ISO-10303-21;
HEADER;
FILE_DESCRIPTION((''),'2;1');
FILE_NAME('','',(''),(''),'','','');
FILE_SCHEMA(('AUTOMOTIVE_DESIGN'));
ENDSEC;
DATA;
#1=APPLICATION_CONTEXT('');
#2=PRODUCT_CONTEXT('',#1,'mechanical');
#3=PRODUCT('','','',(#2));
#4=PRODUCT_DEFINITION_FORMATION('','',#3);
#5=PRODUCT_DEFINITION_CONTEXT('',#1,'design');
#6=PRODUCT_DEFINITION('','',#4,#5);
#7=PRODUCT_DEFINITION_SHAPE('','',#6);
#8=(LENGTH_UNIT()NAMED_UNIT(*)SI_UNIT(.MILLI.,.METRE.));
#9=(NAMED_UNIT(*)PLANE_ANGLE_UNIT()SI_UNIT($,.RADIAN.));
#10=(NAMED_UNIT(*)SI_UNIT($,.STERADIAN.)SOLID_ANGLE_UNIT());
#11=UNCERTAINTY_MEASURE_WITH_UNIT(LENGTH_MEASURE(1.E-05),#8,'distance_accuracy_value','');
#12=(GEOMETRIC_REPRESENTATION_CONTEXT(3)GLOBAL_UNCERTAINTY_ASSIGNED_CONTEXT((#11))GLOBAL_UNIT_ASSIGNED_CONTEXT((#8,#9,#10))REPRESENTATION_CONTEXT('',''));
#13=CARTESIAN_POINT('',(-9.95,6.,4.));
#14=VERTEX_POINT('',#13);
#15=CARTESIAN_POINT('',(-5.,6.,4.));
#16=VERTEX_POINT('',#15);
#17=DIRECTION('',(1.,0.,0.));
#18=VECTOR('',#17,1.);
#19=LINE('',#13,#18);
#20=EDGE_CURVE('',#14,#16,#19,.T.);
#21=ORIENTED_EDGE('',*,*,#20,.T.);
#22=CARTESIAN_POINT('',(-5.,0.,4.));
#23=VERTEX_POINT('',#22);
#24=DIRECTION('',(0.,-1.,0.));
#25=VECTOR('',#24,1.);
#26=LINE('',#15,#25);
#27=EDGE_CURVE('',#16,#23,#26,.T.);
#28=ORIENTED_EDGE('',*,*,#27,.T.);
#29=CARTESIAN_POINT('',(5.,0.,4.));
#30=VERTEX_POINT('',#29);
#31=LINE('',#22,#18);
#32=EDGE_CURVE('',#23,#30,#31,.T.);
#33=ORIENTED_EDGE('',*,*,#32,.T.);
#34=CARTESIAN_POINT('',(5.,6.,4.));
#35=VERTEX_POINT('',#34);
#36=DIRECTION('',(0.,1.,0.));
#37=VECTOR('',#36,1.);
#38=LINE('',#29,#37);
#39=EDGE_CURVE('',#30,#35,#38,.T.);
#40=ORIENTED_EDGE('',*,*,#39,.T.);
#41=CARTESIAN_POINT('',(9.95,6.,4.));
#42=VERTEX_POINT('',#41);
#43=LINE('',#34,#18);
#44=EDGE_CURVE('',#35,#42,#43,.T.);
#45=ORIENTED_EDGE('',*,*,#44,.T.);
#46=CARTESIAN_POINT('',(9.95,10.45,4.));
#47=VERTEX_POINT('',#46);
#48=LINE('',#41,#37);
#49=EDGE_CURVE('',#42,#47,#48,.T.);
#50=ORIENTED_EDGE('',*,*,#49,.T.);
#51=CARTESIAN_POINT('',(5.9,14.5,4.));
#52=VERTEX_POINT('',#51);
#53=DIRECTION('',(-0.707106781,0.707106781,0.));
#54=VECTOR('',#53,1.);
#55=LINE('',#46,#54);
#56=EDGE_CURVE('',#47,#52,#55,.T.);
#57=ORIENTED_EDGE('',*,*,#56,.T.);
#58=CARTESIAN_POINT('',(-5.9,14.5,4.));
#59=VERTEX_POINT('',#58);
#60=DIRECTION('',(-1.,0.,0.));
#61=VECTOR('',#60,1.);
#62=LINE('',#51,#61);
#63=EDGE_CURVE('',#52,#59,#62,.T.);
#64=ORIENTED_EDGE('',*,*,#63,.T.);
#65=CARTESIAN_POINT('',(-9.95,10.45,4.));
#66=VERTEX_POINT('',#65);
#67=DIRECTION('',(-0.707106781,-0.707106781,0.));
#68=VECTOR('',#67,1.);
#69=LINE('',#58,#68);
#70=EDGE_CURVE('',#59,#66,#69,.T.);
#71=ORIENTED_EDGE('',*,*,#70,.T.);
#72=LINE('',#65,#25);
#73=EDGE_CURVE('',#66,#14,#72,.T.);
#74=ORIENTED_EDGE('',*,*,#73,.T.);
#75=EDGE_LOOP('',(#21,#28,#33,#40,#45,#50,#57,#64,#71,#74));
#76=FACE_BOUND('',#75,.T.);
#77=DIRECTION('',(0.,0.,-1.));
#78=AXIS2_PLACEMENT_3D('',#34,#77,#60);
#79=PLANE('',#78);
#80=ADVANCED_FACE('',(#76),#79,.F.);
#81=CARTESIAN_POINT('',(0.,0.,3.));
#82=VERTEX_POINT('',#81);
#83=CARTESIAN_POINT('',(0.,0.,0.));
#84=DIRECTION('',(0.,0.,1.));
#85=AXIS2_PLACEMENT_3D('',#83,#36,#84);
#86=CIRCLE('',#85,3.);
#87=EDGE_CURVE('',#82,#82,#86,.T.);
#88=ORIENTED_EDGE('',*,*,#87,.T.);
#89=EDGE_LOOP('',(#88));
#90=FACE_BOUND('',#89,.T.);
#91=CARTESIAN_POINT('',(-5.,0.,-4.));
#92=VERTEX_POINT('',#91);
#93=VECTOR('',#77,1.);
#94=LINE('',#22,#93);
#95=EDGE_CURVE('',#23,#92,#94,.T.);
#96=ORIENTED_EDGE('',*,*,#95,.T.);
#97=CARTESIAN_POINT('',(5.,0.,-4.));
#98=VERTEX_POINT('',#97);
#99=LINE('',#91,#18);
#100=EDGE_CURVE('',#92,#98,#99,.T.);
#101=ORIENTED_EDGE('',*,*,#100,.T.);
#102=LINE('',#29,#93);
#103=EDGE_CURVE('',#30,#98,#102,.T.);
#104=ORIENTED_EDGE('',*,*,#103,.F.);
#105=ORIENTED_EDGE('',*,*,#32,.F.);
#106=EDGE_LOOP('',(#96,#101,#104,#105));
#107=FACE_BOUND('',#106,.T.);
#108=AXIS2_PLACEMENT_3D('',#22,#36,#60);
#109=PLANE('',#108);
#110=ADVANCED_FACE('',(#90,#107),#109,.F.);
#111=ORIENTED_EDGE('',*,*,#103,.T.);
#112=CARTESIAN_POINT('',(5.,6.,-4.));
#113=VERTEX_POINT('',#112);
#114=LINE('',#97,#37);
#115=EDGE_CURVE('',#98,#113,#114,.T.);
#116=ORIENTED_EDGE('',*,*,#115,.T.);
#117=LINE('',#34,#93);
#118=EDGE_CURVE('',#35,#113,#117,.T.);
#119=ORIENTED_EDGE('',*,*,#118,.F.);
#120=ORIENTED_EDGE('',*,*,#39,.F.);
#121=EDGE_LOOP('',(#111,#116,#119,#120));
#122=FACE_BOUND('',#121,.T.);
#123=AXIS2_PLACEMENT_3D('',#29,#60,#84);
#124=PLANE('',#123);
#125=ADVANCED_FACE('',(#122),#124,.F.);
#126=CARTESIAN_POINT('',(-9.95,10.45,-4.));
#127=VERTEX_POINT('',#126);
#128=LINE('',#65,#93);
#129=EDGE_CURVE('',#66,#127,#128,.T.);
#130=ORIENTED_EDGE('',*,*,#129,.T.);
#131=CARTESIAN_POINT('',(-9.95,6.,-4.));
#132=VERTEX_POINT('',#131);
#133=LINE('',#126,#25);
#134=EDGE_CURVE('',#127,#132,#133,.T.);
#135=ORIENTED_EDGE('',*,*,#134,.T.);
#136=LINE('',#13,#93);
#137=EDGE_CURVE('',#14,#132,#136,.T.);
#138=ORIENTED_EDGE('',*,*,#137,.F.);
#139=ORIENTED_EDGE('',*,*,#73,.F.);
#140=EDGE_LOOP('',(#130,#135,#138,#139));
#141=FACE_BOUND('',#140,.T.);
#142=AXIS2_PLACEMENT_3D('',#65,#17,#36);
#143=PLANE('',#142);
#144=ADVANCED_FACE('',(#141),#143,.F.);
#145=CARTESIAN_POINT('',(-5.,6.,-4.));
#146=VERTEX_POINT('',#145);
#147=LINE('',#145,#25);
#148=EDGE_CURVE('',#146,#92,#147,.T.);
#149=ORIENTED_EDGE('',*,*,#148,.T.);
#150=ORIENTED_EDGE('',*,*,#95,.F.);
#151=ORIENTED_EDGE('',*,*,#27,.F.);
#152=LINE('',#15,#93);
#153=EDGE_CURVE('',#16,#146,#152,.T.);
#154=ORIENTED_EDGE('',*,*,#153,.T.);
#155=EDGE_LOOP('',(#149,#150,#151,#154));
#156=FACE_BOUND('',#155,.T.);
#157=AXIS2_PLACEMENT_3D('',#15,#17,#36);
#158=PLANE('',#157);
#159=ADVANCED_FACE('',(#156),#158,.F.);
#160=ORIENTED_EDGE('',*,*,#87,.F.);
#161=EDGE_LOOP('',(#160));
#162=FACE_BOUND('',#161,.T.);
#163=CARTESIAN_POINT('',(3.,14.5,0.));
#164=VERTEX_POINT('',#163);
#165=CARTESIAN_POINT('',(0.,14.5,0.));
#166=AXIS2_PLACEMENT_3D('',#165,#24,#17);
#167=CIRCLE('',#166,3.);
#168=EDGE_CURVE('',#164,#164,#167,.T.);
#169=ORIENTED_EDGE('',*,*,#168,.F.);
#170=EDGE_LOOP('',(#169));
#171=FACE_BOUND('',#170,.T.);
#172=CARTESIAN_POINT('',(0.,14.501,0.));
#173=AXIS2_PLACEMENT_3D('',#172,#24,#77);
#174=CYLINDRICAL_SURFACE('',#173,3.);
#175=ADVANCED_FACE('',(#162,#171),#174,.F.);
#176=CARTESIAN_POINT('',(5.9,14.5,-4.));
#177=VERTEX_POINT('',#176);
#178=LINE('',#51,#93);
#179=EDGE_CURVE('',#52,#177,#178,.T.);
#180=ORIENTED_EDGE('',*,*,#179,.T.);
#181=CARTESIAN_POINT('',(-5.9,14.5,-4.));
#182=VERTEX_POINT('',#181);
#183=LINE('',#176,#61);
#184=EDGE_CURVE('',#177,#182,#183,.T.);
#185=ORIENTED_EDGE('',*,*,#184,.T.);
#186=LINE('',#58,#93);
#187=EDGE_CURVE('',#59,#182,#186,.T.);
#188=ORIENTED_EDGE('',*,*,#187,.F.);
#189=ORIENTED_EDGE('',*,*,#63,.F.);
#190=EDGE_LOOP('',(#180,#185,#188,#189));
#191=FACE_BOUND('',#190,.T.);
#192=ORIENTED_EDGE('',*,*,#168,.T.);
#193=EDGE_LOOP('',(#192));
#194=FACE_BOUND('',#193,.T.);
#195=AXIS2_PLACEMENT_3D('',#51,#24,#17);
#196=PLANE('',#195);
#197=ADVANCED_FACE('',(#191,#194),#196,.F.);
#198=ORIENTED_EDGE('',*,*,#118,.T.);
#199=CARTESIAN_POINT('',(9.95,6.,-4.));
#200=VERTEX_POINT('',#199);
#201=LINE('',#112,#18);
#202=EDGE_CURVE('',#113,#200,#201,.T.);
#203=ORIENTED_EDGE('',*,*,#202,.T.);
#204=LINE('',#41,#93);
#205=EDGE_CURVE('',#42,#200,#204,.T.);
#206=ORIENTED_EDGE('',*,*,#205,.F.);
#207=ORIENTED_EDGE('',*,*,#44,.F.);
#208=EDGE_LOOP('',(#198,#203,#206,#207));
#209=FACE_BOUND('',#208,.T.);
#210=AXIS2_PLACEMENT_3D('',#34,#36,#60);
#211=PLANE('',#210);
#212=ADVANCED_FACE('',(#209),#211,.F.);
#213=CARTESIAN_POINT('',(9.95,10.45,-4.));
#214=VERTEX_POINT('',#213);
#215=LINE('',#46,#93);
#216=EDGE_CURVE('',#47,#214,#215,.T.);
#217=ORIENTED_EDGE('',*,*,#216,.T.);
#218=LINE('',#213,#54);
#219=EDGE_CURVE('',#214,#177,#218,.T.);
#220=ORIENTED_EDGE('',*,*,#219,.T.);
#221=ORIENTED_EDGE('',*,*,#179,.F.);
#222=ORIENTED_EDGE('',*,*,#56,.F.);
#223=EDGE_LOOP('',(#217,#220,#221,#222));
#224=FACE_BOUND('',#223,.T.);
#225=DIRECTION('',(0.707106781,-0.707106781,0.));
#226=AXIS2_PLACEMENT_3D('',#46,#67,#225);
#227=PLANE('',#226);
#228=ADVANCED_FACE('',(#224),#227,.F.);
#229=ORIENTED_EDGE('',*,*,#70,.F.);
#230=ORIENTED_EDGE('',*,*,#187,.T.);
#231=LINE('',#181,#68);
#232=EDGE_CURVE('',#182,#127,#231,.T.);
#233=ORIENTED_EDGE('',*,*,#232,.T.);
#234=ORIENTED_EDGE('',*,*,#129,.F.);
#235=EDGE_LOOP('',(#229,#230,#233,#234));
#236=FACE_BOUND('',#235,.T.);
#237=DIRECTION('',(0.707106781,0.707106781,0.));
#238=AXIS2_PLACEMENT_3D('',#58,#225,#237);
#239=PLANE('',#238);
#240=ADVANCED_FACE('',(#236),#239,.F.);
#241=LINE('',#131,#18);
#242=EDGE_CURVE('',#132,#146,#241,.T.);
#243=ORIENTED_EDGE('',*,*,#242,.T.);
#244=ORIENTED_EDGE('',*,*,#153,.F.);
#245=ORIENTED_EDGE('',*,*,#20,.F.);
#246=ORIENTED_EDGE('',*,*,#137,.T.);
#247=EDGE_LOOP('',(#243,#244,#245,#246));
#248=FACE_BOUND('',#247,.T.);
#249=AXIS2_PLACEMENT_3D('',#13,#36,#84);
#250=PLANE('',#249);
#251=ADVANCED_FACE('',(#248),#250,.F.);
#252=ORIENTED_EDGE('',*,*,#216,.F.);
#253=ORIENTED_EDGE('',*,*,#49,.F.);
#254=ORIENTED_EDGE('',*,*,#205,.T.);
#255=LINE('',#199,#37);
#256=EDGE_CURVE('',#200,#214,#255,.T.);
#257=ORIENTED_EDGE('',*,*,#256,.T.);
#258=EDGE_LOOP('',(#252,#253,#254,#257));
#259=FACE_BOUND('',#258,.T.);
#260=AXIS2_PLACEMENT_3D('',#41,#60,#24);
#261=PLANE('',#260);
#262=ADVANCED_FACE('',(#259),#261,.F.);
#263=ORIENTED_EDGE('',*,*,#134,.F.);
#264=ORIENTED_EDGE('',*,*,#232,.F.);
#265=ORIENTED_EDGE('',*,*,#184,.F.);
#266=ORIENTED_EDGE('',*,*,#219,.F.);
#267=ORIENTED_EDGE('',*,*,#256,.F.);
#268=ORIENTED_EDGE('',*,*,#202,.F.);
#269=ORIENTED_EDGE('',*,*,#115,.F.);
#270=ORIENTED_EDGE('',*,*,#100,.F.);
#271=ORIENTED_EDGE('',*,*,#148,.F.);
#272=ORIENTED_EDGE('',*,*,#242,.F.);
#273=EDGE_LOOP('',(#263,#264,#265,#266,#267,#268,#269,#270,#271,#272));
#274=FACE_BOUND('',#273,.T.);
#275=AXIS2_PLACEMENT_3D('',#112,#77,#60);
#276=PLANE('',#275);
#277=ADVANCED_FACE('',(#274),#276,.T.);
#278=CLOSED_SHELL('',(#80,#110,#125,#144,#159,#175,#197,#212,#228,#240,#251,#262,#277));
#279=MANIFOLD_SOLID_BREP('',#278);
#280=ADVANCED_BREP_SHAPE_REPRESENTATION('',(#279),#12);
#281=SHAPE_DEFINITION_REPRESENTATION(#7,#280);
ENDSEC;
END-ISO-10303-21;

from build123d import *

# Parameters (mm, degrees)
EXTRUDE1_DEPTH     = 4
CUT_EXTRUDE1_REACH = 20.035
SKETCH2_R          = 3


with BuildPart() as part:
    # Sketch1 → Extrude1 (new, symmetric)
    with BuildSketch(Plane.XY):
        Polygon((-5, 0), (5, 0), (5, 6), (9.95, 6), (9.95, 10.45), (5.9, 14.5), (-5.9, 14.5), (-9.95, 10.45), (-9.95, 6), (-5, 6), align=None)
    extrude(amount=EXTRUDE1_DEPTH, both=True)

    # Sketch2 → Cut-Extrude1 (cut, up to next)
    with BuildSketch(Plane(origin=(0, 0, 0), x_dir=(1, 0, 0), z_dir=(0, 1, 0)), mode=Mode.PRIVATE) as cut_extrude1_sk1:
        Circle(SKETCH2_R)
    cut_extrude1_tool1 = extrude(cut_extrude1_sk1.sketch, amount=CUT_EXTRUDE1_REACH, mode=Mode.PRIVATE) & part.part
    add(cut_extrude1_tool1.solids().sort_by_distance((0, 0, 0))[0], mode=Mode.SUBTRACT)


solid = part.part
